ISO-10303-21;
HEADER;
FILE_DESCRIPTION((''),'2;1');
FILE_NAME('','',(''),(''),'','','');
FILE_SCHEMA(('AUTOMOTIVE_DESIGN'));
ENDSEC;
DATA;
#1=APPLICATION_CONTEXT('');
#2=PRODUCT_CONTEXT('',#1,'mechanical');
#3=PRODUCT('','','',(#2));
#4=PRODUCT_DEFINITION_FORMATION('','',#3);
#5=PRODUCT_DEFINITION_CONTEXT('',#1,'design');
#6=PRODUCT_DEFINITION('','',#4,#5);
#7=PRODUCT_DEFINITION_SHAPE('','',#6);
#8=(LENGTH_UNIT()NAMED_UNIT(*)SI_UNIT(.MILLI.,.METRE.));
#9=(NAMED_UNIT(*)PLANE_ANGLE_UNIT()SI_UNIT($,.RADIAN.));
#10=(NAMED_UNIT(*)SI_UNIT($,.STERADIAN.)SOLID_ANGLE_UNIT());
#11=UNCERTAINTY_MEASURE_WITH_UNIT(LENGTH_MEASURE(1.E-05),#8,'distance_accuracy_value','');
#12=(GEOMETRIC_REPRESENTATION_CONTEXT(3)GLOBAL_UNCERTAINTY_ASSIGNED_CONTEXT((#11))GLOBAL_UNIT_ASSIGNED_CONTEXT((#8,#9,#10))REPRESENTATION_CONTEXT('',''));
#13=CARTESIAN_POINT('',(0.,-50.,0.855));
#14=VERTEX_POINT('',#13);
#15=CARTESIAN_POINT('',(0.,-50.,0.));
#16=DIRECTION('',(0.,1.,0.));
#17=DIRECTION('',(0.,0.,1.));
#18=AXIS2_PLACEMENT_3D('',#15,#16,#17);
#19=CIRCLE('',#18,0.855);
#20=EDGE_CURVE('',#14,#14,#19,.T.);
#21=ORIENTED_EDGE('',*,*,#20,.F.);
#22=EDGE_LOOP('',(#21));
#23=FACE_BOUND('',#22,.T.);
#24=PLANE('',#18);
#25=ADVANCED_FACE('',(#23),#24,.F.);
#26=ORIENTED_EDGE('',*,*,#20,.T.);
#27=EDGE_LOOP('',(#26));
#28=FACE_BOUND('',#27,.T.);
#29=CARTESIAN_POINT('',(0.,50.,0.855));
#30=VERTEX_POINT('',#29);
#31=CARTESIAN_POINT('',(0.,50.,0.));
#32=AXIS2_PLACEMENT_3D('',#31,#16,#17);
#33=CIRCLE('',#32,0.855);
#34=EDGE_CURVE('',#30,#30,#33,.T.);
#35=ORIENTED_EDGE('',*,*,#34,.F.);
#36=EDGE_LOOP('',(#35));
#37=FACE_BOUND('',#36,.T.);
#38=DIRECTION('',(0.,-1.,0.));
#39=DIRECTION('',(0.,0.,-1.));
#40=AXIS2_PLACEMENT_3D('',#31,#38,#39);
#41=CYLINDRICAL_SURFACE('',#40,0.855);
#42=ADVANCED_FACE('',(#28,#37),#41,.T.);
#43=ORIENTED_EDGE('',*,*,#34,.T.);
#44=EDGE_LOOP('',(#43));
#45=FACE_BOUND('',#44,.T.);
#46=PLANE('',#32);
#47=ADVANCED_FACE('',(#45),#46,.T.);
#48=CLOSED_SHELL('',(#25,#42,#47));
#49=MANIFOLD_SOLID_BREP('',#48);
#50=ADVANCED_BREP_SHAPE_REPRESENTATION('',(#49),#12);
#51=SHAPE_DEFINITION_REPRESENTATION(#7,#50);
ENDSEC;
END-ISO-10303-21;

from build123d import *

# Parameters (mm, degrees)
SKETCH1_R           = 0.855
BOSS_EXTRUDE1_DEPTH = 50


with BuildPart() as part:
    # Sketch1 → Boss-Extrude1 (new body, symmetric)
    with BuildSketch(Plane(origin=(0, 0, 0), x_dir=(1, 0, 0), z_dir=(0, 1, 0))):
        Circle(SKETCH1_R)
    extrude(amount=BOSS_EXTRUDE1_DEPTH, both=True)


solid = part.part
